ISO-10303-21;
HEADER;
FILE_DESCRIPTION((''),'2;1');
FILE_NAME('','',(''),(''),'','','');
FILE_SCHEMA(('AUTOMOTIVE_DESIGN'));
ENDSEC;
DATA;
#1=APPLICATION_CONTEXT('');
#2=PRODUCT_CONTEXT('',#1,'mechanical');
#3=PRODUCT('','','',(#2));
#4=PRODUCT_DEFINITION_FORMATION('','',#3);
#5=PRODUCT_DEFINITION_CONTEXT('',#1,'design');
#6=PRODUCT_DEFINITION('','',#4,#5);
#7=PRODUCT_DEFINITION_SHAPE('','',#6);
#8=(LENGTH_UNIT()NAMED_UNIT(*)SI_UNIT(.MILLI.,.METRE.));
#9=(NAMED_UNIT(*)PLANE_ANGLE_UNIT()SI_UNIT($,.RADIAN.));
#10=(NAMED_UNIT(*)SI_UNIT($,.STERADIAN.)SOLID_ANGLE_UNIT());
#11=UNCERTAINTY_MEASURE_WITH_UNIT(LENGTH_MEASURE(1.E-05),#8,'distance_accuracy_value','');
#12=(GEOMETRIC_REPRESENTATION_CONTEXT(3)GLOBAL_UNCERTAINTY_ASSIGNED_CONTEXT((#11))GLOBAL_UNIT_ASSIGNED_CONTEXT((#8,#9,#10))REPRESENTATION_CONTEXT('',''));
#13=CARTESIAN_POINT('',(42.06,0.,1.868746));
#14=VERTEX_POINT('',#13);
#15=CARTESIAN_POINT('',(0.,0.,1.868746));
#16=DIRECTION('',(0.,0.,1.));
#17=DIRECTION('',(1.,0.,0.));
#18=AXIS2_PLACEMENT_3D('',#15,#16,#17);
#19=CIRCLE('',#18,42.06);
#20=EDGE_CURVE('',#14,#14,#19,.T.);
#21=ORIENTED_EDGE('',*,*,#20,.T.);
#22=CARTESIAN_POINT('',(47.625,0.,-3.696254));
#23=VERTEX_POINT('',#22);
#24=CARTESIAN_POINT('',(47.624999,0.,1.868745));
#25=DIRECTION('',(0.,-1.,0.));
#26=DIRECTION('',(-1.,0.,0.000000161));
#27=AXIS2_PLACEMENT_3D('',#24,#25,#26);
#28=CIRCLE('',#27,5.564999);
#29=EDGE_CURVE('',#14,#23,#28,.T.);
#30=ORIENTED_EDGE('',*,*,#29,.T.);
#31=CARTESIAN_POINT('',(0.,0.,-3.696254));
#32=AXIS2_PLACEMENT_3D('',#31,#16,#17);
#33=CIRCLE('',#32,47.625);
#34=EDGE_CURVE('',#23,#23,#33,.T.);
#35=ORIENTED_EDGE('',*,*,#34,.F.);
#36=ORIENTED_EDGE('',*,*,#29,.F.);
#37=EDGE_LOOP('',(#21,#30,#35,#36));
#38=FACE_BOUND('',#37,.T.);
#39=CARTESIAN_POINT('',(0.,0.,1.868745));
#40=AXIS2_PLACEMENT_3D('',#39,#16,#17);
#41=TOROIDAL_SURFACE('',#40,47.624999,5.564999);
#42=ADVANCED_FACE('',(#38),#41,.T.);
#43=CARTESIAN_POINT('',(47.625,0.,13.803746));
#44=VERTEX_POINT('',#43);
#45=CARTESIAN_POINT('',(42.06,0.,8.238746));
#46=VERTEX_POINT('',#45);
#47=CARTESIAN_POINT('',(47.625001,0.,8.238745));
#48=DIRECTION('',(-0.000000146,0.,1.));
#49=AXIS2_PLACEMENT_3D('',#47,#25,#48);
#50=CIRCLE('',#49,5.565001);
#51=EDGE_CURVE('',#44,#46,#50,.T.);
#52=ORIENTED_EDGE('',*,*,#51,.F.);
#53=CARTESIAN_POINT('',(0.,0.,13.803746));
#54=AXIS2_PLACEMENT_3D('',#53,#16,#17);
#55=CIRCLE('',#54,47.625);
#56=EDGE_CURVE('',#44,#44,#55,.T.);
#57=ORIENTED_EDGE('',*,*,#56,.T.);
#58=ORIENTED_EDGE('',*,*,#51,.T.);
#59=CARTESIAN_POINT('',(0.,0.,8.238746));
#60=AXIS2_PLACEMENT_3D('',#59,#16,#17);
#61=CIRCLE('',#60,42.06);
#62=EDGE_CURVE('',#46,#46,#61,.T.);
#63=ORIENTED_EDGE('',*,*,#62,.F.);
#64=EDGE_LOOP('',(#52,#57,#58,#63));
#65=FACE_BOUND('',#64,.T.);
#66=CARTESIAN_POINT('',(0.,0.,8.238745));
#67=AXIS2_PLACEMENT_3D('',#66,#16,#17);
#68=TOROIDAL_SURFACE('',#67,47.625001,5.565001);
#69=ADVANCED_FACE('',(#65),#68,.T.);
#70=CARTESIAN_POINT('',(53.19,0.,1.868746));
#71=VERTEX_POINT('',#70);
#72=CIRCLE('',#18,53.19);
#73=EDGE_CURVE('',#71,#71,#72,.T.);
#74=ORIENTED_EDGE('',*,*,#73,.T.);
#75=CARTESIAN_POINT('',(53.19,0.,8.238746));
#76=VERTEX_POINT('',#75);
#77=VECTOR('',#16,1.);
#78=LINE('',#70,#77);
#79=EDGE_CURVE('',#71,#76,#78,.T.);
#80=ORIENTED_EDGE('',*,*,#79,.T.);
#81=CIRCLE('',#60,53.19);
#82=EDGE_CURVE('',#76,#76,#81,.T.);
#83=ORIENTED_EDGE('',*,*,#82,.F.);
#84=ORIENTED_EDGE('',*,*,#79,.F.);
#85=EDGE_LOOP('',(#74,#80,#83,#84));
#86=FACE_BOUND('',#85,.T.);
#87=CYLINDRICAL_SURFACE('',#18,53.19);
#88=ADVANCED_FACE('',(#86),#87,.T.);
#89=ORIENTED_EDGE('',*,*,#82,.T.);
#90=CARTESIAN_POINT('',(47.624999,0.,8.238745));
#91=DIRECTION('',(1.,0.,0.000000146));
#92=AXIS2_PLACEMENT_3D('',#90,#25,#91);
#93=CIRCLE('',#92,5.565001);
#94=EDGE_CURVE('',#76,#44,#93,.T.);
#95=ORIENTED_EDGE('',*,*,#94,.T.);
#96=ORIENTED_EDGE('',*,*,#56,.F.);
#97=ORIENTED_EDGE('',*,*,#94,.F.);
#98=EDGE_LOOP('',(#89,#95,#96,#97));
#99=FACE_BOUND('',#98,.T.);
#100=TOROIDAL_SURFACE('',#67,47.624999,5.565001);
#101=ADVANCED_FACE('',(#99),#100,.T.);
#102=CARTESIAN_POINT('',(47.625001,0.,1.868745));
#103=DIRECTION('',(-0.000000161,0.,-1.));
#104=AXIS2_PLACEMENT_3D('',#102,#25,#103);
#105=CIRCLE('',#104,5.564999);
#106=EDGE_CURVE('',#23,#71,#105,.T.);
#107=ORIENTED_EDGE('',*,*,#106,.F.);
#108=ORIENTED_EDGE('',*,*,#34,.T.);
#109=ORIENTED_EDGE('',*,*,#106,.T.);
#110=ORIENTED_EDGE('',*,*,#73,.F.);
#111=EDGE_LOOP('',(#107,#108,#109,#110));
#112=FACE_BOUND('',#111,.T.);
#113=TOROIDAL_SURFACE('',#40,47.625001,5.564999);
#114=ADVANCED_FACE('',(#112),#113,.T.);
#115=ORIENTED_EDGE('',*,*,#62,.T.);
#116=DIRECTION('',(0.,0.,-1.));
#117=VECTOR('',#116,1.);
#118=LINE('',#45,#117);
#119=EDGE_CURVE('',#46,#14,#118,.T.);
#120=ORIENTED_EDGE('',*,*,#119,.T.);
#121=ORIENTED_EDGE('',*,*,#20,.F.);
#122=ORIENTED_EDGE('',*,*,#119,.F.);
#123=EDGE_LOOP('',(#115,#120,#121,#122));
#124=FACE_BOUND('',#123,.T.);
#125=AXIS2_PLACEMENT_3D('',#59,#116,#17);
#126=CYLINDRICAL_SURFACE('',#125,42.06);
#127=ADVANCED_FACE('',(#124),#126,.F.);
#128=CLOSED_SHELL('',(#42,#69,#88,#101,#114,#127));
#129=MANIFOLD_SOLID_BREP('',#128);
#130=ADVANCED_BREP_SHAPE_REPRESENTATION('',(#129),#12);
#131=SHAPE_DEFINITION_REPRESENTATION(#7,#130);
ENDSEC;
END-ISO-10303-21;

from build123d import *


with BuildPart() as f1:
    # F0 (on Front) → F1 (revolve)
    with BuildSketch(Plane.XZ):
        with BuildLine():
            ThreePointArc((47.625, 13.803746), (43.689951, 12.173795), (42.06, 8.238746))
            Line((42.06, 8.238746), (42.06, 1.868746))
            ThreePointArc((42.06, 1.868746), (43.689951, -2.066304), (47.625, -3.696254))
            ThreePointArc((47.625, -3.696254), (51.560049, -2.066304), (53.19, 1.868746))
            Line((53.19, 1.868746), (53.19, 8.238746))
            ThreePointArc((53.19, 8.238746), (51.560049, 12.173795), (47.625, 13.803746))
        make_face()
    revolve(axis=Axis((0, 0, 20.993052), (0, 0, 1)))


solid = f1.part
